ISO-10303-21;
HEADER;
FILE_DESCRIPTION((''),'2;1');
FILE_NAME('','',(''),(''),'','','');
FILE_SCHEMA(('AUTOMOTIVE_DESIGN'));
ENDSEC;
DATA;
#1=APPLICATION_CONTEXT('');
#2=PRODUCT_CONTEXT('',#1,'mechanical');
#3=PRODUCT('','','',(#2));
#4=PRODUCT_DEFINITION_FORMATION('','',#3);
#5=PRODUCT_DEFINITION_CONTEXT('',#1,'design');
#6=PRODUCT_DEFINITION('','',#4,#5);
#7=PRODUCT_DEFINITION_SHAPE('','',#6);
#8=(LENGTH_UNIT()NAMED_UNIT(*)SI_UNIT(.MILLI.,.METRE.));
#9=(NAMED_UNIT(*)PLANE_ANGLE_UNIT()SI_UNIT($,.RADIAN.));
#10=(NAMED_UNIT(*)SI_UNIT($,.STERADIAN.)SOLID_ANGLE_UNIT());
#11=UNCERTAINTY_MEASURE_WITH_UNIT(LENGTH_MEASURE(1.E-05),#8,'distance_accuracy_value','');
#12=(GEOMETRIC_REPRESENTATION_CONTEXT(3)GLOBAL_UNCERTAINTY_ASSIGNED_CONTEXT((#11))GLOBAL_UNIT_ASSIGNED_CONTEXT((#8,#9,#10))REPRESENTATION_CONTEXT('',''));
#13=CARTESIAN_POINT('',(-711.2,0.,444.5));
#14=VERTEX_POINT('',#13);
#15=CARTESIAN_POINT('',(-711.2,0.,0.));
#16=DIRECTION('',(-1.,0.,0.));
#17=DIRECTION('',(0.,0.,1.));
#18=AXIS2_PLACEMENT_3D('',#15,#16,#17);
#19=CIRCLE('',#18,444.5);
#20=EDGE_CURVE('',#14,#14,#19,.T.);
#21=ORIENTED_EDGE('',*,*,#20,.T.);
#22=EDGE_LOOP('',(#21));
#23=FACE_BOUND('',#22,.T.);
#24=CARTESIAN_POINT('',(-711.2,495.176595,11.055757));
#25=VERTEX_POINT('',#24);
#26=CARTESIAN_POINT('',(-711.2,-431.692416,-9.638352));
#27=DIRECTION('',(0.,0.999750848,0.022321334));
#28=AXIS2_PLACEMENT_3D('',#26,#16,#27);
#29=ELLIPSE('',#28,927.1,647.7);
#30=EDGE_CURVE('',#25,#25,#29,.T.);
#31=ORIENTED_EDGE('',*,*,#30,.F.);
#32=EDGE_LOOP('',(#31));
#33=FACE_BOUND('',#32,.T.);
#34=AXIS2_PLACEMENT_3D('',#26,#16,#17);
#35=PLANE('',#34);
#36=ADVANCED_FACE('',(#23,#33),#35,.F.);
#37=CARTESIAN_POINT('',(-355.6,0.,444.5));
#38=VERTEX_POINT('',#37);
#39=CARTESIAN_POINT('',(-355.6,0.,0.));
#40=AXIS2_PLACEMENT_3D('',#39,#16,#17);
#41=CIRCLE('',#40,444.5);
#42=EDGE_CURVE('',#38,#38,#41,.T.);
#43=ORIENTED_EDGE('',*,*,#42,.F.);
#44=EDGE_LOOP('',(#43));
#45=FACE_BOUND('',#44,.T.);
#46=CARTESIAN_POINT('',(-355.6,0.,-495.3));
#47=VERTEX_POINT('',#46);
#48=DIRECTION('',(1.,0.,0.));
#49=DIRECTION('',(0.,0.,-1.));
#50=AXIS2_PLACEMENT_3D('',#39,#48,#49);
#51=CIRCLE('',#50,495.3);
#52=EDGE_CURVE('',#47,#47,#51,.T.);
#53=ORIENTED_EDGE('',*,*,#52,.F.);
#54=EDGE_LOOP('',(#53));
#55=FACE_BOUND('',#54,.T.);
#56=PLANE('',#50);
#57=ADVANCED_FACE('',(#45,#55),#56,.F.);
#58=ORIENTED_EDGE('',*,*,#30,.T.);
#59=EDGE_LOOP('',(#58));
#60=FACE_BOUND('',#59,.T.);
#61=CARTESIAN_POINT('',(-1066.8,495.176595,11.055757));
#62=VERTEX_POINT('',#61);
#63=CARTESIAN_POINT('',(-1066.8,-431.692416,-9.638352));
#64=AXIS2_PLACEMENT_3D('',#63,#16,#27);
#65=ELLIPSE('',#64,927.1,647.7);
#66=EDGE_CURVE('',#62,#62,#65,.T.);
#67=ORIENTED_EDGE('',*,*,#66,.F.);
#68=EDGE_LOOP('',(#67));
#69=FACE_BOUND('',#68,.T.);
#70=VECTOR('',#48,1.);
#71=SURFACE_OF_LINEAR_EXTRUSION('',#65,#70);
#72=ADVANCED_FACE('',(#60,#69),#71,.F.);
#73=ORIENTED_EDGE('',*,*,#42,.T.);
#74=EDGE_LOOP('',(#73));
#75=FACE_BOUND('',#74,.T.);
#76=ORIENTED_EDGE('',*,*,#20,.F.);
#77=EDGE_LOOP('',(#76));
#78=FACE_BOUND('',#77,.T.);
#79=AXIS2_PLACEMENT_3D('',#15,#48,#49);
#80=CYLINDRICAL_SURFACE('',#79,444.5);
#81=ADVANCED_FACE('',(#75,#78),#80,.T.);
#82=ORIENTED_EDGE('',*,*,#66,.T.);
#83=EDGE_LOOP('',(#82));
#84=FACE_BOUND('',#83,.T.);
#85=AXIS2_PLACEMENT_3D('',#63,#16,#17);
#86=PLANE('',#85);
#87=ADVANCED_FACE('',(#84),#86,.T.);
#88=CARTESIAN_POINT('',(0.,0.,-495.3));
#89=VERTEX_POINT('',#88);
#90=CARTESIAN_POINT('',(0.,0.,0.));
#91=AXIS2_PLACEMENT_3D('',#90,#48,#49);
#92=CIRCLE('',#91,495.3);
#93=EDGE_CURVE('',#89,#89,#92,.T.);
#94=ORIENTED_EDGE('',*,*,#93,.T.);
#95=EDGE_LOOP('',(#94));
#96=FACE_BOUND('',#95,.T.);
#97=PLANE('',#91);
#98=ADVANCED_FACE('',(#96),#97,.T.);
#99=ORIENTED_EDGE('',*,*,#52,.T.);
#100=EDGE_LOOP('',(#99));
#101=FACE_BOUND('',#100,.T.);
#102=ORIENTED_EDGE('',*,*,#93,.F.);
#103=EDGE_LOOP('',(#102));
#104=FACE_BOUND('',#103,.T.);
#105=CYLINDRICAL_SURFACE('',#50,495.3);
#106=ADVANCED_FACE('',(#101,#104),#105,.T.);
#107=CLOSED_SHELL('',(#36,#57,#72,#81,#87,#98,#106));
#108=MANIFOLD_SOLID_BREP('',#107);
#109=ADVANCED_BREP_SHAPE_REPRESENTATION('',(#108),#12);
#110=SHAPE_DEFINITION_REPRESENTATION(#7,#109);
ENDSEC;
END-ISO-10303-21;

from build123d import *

# Parameters (mm, degrees)
SKETCH1_R           = 495.3
BOSS_EXTRUDE1_DEPTH = 355.6
SKETCH2_R           = 444.5
BOSS_EXTRUDE2_DEPTH = 355.6
SKETCH3_RX          = 927.1
SKETCH3_RY          = 647.7
BOSS_EXTRUDE3_DEPTH = 355.6


with BuildPart() as part:
    # Sketch1 → Boss-Extrude1 (new body)
    with BuildSketch(Plane(origin=(0, 0, 0), x_dir=(0, 0, -1), z_dir=(1, 0, 0))):
        Circle(SKETCH1_R)
    extrude(amount=-BOSS_EXTRUDE1_DEPTH)

    # Sketch2 → Boss-Extrude2 (add)
    with BuildSketch(Plane.ZY.offset(355.6)):
        Circle(SKETCH2_R)
    extrude(amount=BOSS_EXTRUDE2_DEPTH)

    # Sketch3 → Boss-Extrude3 (add)
    with BuildSketch(Plane.ZY.offset(711.2)):
        with Locations(Location((-9.638351828, -431.692416165), (0, 0, -91.279024431))):
            Ellipse(SKETCH3_RX, SKETCH3_RY)
    extrude(amount=BOSS_EXTRUDE3_DEPTH)


solid = part.part
